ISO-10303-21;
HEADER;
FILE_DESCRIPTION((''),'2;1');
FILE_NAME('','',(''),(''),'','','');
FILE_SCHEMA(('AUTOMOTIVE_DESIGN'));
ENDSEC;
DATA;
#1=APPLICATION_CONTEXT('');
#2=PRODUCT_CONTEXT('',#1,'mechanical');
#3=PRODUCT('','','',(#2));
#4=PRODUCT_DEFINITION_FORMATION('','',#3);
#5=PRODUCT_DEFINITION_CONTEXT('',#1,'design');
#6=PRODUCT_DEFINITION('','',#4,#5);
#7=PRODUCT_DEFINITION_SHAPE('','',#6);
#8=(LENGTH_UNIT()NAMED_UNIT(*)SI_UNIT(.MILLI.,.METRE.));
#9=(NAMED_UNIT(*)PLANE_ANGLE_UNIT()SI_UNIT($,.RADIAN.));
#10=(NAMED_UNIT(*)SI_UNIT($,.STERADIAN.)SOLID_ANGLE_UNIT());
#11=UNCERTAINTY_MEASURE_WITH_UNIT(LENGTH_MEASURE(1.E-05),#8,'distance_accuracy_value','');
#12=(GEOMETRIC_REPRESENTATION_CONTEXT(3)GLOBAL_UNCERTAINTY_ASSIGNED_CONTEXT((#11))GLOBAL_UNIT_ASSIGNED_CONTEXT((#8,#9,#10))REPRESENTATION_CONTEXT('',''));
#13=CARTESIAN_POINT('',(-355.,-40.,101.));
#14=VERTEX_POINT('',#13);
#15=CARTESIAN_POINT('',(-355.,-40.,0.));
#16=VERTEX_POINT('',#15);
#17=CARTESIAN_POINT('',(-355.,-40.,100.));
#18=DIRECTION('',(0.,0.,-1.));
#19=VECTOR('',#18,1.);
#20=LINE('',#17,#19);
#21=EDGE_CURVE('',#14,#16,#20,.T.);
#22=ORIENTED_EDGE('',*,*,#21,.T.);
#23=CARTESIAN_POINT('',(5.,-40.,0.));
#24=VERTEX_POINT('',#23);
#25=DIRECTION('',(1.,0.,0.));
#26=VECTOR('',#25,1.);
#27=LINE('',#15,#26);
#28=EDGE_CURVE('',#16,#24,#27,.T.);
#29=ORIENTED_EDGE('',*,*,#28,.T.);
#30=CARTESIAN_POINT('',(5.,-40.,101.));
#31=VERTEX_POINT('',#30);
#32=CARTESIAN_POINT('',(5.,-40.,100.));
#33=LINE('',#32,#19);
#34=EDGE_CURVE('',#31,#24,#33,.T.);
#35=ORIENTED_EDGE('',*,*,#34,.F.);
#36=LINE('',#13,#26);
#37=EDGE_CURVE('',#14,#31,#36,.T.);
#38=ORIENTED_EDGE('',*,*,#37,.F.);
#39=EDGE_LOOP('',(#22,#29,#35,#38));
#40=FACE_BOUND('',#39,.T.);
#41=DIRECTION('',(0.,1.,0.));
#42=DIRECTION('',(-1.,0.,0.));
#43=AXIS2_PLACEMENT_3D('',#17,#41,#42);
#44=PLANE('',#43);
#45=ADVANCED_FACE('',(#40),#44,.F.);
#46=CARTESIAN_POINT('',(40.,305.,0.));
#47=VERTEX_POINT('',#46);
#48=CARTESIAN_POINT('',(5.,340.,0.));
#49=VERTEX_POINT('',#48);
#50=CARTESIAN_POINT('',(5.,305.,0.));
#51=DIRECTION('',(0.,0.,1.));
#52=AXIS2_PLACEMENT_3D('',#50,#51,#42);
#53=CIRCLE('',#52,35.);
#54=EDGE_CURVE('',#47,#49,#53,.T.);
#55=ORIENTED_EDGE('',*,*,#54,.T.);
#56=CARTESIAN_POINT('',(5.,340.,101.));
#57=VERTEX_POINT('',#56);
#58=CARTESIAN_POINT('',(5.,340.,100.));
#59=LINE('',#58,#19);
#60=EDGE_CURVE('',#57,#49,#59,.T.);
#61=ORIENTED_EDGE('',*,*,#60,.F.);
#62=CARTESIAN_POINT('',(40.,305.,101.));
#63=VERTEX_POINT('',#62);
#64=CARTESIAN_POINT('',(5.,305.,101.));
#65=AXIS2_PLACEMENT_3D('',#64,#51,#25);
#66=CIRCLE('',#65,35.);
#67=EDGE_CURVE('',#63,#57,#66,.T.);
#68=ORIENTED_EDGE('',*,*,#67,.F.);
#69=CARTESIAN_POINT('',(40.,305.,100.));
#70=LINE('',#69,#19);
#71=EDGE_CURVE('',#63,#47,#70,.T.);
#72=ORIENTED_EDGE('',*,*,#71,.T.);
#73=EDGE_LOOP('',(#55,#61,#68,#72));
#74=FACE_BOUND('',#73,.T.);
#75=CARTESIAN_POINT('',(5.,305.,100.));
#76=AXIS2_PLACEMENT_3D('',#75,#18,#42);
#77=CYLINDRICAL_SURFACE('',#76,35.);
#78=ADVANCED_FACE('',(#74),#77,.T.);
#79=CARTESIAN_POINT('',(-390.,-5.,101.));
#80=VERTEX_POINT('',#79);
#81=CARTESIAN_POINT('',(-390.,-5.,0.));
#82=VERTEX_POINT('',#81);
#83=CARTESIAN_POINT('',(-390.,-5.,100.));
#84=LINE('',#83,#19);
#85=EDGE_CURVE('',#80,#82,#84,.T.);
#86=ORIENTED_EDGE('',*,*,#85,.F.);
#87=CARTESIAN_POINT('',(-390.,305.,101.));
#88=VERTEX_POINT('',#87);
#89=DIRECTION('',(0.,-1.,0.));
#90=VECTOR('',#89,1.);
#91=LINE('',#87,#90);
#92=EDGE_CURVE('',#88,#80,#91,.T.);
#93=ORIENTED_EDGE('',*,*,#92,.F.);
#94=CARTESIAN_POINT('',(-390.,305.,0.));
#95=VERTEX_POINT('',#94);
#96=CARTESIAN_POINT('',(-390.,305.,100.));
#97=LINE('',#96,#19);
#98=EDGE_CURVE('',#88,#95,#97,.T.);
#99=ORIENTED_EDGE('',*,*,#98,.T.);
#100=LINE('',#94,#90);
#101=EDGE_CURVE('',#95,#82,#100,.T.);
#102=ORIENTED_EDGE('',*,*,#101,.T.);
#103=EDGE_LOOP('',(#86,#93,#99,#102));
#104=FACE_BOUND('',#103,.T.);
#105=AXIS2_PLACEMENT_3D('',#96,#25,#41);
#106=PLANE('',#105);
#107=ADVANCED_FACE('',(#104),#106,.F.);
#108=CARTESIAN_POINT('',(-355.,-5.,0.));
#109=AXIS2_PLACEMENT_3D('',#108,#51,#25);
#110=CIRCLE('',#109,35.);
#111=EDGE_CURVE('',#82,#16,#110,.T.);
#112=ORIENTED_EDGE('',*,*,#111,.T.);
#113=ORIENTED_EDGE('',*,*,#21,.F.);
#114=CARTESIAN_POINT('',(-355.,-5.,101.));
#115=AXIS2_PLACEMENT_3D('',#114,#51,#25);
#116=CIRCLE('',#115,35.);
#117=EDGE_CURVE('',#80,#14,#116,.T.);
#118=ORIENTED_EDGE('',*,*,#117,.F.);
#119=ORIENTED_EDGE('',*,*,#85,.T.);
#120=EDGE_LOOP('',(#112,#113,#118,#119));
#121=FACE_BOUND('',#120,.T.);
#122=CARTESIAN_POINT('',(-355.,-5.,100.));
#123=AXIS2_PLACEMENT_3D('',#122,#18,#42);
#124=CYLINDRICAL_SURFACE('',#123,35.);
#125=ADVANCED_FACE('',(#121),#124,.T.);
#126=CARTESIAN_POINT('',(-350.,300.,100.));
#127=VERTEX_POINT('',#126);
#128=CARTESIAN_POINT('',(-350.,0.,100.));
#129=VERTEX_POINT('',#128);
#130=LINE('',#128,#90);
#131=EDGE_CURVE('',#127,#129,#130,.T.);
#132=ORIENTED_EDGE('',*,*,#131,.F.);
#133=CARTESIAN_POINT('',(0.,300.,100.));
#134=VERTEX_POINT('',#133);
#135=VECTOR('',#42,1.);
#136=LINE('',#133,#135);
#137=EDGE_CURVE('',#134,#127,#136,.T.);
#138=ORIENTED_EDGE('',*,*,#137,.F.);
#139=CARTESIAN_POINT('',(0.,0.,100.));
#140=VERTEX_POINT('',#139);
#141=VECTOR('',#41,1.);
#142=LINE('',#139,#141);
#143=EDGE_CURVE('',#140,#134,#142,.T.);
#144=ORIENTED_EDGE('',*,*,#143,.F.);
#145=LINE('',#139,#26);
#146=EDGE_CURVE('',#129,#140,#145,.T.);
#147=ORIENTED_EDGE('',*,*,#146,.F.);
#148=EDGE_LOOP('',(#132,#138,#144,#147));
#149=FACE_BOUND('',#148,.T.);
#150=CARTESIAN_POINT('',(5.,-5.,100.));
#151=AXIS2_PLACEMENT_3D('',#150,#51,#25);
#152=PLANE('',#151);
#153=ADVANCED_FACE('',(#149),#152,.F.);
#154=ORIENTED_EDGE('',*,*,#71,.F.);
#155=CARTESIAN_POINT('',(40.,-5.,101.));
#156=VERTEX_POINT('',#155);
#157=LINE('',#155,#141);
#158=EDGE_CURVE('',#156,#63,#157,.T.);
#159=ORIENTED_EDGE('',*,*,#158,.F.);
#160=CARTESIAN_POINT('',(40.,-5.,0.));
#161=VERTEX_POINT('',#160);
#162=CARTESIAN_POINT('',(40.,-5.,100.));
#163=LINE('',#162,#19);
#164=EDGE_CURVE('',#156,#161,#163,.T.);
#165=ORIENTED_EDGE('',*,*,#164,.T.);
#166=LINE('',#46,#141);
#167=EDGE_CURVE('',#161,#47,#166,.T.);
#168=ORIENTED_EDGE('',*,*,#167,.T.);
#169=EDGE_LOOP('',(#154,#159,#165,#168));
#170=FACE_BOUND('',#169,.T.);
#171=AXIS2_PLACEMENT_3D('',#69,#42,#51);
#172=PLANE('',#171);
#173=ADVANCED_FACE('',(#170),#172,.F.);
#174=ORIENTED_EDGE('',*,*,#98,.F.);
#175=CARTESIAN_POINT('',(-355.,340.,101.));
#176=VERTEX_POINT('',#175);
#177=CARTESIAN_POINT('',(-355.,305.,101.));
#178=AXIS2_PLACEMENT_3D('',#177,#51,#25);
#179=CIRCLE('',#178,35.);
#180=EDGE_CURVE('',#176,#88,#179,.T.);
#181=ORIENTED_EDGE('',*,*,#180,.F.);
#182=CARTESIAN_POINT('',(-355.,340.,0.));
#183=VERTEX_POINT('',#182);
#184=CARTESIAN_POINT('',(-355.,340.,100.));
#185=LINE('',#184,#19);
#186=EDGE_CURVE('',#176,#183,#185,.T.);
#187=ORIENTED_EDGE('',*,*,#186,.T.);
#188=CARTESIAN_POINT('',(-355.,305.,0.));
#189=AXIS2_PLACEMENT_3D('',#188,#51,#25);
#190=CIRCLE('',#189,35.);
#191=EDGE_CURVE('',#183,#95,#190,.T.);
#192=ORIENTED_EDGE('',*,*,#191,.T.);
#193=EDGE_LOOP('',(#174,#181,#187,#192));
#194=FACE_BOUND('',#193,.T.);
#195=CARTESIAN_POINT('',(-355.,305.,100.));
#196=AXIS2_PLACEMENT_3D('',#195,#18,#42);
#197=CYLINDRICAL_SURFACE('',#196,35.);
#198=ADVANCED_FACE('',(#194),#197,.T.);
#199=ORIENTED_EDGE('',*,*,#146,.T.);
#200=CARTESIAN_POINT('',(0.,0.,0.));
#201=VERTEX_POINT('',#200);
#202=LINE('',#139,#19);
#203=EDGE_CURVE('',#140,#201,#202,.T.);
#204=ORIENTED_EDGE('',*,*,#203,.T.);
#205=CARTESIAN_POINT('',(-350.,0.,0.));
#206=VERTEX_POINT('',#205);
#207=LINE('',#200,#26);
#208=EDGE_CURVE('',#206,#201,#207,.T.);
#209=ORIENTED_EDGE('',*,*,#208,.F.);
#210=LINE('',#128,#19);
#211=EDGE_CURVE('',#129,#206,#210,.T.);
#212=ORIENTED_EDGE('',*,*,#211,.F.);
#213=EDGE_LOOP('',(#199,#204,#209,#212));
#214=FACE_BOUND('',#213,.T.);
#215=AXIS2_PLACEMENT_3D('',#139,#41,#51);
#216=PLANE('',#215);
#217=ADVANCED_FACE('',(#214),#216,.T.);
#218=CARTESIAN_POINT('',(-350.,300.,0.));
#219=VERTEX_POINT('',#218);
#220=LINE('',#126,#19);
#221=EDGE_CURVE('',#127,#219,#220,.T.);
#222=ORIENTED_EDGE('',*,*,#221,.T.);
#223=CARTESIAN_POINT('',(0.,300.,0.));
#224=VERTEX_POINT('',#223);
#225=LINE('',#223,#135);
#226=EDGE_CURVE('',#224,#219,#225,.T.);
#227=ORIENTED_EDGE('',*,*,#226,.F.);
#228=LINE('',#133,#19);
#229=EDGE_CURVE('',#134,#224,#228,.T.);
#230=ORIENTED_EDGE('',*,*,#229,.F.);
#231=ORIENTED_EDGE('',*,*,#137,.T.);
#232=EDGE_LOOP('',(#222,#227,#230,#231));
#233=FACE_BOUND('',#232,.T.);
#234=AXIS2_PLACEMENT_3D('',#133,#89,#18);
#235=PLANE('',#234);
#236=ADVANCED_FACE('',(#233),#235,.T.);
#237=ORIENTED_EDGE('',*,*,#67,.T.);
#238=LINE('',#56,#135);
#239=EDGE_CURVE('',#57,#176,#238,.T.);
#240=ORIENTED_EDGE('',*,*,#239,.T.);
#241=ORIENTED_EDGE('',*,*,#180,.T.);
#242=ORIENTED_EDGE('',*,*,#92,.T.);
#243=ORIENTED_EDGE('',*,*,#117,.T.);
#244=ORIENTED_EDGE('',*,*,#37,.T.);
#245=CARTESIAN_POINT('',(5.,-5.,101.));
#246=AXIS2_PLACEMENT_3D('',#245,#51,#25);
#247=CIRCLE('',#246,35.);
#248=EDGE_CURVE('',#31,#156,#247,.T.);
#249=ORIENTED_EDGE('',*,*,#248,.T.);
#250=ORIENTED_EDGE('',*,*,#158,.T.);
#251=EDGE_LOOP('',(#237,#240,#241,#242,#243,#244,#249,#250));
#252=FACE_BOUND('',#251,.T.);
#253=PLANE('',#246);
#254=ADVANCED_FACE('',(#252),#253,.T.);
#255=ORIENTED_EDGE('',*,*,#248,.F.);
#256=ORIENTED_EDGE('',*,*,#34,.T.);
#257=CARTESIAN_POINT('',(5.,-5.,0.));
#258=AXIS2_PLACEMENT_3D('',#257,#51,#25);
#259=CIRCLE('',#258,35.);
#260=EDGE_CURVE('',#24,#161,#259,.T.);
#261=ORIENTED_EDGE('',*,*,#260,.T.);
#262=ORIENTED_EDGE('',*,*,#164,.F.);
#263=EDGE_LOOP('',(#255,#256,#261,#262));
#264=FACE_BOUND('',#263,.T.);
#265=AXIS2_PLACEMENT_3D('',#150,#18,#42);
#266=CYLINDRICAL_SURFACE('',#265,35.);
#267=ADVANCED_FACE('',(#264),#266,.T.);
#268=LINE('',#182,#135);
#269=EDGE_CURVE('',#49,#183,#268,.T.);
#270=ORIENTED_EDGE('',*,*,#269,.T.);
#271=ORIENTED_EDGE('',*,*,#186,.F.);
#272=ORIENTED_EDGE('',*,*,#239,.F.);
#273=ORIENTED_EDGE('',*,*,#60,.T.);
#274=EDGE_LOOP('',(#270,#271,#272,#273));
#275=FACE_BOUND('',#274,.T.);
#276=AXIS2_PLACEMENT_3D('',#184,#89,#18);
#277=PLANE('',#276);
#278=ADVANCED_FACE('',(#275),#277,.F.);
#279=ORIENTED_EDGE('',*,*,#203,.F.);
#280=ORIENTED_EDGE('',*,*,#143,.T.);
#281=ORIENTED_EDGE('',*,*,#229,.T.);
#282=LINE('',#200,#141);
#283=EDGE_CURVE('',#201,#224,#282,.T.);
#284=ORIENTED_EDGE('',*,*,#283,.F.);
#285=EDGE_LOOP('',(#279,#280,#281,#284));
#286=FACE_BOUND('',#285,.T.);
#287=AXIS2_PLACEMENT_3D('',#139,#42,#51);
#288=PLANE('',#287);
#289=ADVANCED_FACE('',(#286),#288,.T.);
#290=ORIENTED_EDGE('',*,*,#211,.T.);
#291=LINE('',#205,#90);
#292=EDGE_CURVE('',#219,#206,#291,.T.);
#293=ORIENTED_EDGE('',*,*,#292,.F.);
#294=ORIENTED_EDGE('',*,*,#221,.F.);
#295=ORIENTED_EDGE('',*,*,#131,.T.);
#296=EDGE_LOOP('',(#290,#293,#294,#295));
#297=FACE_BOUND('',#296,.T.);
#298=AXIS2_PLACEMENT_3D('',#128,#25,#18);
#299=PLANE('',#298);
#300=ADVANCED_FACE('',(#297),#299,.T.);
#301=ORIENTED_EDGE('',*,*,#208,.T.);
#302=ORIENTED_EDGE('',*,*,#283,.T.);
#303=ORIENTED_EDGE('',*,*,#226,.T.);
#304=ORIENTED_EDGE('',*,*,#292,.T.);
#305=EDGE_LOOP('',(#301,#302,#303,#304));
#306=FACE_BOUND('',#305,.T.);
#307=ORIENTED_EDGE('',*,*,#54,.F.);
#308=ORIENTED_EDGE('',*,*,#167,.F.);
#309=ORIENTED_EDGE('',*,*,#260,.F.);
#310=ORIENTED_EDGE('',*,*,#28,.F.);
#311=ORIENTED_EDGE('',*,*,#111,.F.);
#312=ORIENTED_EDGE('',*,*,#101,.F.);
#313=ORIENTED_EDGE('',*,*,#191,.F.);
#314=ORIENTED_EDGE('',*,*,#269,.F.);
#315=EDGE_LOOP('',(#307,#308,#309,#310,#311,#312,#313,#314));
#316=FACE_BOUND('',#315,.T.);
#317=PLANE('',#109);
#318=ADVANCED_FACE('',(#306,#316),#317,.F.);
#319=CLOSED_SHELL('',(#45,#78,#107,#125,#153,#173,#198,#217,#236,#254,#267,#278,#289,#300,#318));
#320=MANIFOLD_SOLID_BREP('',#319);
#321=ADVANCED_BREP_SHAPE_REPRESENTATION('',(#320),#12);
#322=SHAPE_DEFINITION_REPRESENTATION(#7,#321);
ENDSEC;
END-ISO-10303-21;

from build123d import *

# Parameters (mm, degrees)
SKETCH1_W           = 350
SKETCH1_H           = 300
BOSS_EXTRUDE1_DEPTH = 100
BOSS_EXTRUDE2_DEPTH = 1


with BuildPart() as part:
    # Sketch1 → Boss-Extrude1 (new body)
    with BuildSketch(Plane.XY):
        with BuildLine():
            Line((-355, 340), (5, 340))
            ThreePointArc((5, 340), (29.748737342, 329.748737342), (40, 305))
            Line((40, 305), (40, -5))
            ThreePointArc((40, -5), (29.748737342, -29.748737342), (5, -40))
            Line((5, -40), (-355, -40))
            ThreePointArc((-355, -40), (-379.748737342, -29.748737342), (-390, -5))
            Line((-390, -5), (-390, 305))
            ThreePointArc((-390, 305), (-379.748737342, 329.748737342), (-355, 340))
        make_face()
        with Locations((-175, 150)):
            Rectangle(SKETCH1_W, SKETCH1_H, mode=Mode.SUBTRACT)
    extrude(amount=BOSS_EXTRUDE1_DEPTH)

    # Sketch2 → Boss-Extrude2 (add)
    with BuildSketch(Plane.XY.offset(100)):
        with BuildLine():
            Line((-355, -40), (5, -40))
            ThreePointArc((5, -40), (29.748737342, -29.748737342), (40, -5))
            Line((40, -5), (40, 305))
            ThreePointArc((40, 305), (29.748737342, 329.748737342), (5, 340))
            Line((5, 340), (-355, 340))
            ThreePointArc((-355, 340), (-379.748737342, 329.748737342), (-390, 305))
            Line((-390, 305), (-390, -5))
            ThreePointArc((-390, -5), (-379.748737342, -29.748737342), (-355, -40))
        make_face()
    extrude(amount=BOSS_EXTRUDE2_DEPTH)


solid = part.part
